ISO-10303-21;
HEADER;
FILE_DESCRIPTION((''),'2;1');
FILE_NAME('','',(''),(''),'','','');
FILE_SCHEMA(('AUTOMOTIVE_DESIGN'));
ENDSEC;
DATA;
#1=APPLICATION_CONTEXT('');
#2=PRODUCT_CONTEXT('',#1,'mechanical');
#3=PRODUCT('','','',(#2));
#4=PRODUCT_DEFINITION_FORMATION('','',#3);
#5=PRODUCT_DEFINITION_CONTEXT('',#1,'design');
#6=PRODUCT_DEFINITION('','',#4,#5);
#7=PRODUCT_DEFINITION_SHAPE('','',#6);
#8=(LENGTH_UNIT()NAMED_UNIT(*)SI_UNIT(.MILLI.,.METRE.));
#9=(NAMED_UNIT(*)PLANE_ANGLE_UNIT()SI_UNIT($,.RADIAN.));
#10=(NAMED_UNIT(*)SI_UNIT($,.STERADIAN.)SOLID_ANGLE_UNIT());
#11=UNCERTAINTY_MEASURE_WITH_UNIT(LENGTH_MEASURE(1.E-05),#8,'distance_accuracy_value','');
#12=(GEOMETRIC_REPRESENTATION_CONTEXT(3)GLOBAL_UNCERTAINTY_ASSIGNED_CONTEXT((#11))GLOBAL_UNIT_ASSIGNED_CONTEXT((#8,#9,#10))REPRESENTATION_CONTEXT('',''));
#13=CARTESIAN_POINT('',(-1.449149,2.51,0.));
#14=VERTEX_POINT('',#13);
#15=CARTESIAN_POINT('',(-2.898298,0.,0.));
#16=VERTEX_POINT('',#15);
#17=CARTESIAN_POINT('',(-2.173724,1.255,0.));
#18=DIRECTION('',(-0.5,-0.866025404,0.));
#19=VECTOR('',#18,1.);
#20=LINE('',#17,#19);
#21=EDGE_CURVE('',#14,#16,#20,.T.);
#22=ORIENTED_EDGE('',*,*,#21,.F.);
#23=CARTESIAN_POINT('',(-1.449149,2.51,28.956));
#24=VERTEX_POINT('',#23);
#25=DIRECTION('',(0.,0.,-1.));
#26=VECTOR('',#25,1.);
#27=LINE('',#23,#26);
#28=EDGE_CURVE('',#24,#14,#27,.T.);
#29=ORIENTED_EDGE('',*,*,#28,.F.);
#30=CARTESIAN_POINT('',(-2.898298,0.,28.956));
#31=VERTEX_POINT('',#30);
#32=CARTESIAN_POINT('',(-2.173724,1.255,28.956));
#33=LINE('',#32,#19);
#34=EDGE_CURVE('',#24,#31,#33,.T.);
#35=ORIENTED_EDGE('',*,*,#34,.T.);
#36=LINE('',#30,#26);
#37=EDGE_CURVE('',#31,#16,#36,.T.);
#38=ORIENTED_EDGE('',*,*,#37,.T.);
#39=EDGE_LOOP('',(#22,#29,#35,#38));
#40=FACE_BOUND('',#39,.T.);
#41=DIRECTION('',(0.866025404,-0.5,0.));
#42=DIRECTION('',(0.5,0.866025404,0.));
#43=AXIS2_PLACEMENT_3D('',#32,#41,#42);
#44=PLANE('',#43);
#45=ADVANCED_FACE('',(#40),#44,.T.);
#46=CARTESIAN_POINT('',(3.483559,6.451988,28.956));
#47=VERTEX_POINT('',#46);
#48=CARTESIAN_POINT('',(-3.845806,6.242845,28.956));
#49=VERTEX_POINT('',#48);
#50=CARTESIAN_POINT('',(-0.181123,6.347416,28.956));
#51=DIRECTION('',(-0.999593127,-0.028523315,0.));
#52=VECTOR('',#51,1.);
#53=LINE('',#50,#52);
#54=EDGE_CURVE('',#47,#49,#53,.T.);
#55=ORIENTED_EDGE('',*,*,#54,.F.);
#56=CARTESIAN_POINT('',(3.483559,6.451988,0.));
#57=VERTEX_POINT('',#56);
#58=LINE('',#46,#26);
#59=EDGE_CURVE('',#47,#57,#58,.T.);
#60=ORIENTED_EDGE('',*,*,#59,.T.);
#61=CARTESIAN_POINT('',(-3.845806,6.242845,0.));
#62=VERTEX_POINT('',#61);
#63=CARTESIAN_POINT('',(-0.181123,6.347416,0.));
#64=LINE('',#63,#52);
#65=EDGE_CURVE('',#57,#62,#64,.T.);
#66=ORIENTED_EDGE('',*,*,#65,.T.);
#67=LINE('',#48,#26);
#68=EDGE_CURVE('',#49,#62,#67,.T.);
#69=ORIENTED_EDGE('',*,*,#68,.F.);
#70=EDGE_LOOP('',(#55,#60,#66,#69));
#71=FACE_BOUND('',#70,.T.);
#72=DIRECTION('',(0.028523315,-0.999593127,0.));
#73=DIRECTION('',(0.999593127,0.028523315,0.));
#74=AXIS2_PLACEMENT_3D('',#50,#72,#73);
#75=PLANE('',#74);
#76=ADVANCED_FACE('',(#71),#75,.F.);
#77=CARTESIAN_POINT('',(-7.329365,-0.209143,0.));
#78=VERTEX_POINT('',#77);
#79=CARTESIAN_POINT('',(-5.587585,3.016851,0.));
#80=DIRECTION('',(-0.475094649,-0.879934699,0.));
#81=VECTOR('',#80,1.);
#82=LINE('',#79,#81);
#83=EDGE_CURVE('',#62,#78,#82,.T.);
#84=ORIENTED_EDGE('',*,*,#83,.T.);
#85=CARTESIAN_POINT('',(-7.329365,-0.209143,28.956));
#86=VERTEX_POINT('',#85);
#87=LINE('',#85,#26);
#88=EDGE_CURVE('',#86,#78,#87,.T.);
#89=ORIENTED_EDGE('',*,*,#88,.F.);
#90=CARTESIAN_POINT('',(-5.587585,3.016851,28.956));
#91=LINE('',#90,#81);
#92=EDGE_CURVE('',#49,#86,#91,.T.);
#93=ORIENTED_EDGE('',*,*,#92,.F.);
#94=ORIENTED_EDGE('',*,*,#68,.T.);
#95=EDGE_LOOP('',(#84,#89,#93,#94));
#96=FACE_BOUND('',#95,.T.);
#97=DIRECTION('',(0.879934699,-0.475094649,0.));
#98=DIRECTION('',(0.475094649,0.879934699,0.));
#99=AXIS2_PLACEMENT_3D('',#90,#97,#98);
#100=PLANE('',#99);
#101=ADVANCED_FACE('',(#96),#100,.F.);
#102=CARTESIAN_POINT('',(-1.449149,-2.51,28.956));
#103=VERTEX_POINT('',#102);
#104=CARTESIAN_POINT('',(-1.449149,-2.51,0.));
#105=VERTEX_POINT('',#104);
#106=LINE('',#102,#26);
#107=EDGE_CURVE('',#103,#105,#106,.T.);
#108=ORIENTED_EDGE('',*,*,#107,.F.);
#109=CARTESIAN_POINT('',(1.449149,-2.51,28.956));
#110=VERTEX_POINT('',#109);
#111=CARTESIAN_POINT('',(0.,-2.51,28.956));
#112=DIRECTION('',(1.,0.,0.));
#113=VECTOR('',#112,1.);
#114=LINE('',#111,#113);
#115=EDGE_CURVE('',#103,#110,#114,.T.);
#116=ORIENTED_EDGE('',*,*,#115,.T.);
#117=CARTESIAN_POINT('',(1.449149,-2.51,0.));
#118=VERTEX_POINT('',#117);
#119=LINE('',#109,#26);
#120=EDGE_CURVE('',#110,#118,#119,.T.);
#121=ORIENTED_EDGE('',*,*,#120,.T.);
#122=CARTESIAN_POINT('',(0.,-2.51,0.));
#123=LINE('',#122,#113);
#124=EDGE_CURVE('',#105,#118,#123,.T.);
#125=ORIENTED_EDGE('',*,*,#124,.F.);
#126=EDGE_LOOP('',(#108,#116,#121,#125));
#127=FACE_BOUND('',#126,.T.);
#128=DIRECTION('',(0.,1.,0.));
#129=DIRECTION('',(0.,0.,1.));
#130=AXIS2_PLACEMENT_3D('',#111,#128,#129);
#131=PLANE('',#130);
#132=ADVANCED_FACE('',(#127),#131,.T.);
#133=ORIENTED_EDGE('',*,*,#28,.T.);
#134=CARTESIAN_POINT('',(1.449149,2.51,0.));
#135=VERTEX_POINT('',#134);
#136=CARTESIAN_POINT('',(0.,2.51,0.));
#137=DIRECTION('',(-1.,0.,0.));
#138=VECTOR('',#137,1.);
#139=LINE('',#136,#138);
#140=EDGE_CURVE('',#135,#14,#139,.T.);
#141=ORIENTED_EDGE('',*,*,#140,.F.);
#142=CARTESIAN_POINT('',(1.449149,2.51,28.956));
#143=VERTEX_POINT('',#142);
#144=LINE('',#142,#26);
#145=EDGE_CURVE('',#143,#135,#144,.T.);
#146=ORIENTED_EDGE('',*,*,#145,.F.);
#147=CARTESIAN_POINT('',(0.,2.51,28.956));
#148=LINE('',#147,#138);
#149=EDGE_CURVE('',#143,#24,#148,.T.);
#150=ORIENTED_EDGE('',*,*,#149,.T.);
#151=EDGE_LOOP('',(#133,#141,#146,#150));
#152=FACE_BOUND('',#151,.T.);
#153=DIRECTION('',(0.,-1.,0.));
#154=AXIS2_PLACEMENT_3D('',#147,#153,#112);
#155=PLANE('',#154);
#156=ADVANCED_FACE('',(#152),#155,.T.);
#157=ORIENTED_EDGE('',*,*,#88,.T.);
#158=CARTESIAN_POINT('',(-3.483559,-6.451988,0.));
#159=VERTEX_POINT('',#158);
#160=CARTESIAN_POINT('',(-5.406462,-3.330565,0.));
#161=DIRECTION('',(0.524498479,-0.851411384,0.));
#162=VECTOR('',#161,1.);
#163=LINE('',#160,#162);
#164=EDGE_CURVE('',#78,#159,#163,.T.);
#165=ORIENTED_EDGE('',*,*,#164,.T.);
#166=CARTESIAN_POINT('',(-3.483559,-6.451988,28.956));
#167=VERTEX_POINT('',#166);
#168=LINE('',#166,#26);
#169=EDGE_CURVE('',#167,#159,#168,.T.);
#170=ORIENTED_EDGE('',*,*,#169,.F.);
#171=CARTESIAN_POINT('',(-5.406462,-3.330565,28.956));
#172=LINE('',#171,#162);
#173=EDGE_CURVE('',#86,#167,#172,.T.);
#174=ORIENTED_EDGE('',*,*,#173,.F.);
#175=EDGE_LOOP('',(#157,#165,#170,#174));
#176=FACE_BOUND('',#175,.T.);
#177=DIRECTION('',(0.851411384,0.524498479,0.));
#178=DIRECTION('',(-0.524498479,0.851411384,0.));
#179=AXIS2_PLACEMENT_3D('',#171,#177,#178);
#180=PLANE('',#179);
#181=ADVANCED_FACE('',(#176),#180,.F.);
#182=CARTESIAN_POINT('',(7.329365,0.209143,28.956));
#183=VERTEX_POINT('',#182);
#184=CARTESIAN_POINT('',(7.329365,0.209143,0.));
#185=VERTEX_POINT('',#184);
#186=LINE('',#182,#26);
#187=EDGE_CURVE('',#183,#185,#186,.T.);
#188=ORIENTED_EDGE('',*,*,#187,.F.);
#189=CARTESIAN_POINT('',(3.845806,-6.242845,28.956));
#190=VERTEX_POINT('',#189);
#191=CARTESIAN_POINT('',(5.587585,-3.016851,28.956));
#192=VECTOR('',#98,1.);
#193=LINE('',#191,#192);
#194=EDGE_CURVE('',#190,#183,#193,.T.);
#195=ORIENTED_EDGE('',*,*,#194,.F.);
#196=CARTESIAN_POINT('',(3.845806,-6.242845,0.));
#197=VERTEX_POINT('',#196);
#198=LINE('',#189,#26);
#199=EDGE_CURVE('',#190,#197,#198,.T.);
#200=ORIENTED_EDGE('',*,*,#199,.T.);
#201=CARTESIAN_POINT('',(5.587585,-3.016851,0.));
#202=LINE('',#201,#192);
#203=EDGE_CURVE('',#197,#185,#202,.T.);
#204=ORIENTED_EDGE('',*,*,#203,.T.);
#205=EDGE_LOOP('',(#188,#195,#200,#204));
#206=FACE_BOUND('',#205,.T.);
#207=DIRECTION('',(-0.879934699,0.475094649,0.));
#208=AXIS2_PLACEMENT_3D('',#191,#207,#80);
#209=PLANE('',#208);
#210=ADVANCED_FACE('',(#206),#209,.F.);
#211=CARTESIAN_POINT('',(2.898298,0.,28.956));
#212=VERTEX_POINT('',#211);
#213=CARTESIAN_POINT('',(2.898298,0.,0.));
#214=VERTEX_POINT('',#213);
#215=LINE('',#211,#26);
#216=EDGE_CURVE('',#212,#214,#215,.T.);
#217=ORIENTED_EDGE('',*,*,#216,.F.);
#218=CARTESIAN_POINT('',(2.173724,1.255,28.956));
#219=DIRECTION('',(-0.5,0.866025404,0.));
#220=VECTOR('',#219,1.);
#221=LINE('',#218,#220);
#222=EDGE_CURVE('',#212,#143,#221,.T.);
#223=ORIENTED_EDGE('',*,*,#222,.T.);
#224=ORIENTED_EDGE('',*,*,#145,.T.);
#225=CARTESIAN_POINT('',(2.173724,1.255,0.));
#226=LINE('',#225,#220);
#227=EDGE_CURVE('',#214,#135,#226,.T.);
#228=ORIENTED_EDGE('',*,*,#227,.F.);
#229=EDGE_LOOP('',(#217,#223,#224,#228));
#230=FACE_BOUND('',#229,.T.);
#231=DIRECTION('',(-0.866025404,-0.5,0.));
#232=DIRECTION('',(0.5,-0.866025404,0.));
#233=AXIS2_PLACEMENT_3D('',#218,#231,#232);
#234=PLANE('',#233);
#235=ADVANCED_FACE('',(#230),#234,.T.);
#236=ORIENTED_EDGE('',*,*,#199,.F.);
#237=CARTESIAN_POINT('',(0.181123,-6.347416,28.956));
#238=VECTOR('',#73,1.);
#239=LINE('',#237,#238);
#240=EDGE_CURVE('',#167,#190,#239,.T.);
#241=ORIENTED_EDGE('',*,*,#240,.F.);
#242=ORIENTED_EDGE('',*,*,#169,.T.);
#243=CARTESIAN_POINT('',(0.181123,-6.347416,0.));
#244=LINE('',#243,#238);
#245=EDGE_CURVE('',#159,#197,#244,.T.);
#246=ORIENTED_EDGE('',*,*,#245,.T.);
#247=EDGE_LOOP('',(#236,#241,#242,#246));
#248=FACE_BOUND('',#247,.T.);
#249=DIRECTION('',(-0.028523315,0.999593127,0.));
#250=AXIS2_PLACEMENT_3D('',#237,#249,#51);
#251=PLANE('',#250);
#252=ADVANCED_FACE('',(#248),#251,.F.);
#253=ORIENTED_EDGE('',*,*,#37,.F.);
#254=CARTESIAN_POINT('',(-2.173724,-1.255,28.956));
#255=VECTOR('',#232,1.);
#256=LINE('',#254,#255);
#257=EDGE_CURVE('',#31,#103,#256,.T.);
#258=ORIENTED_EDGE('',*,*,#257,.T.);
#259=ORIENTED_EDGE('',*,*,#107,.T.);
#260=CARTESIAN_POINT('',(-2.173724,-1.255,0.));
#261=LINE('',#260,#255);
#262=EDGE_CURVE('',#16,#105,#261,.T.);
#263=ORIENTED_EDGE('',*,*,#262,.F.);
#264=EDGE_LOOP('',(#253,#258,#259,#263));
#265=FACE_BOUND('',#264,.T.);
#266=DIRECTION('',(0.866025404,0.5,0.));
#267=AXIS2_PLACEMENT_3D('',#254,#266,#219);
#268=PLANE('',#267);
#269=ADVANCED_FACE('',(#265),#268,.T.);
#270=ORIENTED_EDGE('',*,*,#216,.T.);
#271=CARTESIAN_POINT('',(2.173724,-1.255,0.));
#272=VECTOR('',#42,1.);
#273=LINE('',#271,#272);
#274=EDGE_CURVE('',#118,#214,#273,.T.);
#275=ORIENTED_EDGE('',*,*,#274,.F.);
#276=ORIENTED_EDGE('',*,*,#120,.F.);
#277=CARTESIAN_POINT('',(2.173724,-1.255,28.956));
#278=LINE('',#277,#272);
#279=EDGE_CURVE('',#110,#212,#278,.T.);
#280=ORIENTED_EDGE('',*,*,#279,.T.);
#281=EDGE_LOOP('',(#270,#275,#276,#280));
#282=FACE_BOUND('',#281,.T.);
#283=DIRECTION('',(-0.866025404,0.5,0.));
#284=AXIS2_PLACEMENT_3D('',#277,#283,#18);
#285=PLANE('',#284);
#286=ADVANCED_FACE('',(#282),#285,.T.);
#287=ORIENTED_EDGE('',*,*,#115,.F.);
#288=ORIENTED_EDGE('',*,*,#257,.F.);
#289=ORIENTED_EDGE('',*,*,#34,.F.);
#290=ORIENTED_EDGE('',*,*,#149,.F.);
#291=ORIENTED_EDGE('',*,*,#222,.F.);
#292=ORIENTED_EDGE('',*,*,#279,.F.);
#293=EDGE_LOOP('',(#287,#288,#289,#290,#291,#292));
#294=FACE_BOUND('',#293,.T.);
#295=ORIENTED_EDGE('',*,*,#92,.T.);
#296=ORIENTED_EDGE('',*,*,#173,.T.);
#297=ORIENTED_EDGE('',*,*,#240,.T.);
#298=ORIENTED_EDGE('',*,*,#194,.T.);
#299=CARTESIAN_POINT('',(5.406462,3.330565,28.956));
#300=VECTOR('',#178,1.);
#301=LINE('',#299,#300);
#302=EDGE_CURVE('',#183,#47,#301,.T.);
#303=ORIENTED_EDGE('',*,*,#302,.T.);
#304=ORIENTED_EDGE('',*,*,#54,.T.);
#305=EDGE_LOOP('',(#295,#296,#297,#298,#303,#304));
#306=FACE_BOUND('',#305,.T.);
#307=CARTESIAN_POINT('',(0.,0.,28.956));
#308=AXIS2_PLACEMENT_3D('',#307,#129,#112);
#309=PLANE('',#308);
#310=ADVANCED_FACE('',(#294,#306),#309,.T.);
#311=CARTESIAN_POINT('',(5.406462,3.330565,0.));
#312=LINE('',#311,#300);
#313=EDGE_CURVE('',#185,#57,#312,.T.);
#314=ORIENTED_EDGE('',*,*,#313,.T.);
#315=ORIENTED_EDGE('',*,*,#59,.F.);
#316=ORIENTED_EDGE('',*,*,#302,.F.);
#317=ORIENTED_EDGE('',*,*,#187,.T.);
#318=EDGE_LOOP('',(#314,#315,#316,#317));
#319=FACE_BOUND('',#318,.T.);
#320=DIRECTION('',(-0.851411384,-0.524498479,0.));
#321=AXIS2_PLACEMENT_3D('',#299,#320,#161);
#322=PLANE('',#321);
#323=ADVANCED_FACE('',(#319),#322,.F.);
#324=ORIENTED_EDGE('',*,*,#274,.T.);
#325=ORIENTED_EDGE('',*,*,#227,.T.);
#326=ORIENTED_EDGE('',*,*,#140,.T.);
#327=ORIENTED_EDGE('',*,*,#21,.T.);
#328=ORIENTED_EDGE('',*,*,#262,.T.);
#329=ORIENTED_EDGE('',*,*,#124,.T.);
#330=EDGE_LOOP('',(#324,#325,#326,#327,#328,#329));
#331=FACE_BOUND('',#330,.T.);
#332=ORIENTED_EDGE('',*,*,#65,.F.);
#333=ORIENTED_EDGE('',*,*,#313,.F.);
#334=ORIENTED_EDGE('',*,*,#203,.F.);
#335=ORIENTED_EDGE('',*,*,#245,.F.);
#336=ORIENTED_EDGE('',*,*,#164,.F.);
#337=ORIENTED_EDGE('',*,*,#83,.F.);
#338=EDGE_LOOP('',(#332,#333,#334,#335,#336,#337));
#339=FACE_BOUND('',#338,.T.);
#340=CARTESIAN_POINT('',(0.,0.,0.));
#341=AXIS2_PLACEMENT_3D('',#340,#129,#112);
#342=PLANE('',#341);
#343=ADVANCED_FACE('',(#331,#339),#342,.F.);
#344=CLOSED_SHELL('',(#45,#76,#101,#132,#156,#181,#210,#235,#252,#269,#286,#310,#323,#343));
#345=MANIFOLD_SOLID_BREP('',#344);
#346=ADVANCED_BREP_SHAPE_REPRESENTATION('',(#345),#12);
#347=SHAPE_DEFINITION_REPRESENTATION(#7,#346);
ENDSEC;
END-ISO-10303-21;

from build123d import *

# Parameters (mm, degrees)
BOSS_EXTRUDE2_DEPTH = 28.956


with BuildPart() as part:
    # Sketch4 → Boss-Extrude2 (new body)
    # profile 1 of 2: a face of its own
    with BuildSketch(Plane.XY):
        Polygon((-3.483559495, -6.4519878), (3.845805592, -6.242844919), (7.329365088, 0.209142882), (3.483559495, 6.4519878), (-3.845805592, 6.242844919), (-7.329365088, -0.209142882), align=None)
        Polygon((2.306514325, -3.995), (4.613028651, 0), (2.306514325, 3.995), (-2.306514325, 3.995), (-4.613028651, 0), (-2.306514325, -3.995), align=None, mode=Mode.SUBTRACT)
    # profile 2 of 2: a face of its own
    with BuildSketch(Plane.XY):
        Polygon((-2.306514325, -3.995), (2.306514325, -3.995), (4.613028651, 0), (2.306514325, 3.995), (-2.306514325, 3.995), (-4.613028651, 0), align=None)
        Polygon((1.449149176, -2.51), (2.898298351, 0), (1.449149176, 2.51), (-1.449149176, 2.51), (-2.898298351, 0), (-1.449149176, -2.51), align=None, mode=Mode.SUBTRACT)
    extrude(amount=BOSS_EXTRUDE2_DEPTH)


solid = part.part
